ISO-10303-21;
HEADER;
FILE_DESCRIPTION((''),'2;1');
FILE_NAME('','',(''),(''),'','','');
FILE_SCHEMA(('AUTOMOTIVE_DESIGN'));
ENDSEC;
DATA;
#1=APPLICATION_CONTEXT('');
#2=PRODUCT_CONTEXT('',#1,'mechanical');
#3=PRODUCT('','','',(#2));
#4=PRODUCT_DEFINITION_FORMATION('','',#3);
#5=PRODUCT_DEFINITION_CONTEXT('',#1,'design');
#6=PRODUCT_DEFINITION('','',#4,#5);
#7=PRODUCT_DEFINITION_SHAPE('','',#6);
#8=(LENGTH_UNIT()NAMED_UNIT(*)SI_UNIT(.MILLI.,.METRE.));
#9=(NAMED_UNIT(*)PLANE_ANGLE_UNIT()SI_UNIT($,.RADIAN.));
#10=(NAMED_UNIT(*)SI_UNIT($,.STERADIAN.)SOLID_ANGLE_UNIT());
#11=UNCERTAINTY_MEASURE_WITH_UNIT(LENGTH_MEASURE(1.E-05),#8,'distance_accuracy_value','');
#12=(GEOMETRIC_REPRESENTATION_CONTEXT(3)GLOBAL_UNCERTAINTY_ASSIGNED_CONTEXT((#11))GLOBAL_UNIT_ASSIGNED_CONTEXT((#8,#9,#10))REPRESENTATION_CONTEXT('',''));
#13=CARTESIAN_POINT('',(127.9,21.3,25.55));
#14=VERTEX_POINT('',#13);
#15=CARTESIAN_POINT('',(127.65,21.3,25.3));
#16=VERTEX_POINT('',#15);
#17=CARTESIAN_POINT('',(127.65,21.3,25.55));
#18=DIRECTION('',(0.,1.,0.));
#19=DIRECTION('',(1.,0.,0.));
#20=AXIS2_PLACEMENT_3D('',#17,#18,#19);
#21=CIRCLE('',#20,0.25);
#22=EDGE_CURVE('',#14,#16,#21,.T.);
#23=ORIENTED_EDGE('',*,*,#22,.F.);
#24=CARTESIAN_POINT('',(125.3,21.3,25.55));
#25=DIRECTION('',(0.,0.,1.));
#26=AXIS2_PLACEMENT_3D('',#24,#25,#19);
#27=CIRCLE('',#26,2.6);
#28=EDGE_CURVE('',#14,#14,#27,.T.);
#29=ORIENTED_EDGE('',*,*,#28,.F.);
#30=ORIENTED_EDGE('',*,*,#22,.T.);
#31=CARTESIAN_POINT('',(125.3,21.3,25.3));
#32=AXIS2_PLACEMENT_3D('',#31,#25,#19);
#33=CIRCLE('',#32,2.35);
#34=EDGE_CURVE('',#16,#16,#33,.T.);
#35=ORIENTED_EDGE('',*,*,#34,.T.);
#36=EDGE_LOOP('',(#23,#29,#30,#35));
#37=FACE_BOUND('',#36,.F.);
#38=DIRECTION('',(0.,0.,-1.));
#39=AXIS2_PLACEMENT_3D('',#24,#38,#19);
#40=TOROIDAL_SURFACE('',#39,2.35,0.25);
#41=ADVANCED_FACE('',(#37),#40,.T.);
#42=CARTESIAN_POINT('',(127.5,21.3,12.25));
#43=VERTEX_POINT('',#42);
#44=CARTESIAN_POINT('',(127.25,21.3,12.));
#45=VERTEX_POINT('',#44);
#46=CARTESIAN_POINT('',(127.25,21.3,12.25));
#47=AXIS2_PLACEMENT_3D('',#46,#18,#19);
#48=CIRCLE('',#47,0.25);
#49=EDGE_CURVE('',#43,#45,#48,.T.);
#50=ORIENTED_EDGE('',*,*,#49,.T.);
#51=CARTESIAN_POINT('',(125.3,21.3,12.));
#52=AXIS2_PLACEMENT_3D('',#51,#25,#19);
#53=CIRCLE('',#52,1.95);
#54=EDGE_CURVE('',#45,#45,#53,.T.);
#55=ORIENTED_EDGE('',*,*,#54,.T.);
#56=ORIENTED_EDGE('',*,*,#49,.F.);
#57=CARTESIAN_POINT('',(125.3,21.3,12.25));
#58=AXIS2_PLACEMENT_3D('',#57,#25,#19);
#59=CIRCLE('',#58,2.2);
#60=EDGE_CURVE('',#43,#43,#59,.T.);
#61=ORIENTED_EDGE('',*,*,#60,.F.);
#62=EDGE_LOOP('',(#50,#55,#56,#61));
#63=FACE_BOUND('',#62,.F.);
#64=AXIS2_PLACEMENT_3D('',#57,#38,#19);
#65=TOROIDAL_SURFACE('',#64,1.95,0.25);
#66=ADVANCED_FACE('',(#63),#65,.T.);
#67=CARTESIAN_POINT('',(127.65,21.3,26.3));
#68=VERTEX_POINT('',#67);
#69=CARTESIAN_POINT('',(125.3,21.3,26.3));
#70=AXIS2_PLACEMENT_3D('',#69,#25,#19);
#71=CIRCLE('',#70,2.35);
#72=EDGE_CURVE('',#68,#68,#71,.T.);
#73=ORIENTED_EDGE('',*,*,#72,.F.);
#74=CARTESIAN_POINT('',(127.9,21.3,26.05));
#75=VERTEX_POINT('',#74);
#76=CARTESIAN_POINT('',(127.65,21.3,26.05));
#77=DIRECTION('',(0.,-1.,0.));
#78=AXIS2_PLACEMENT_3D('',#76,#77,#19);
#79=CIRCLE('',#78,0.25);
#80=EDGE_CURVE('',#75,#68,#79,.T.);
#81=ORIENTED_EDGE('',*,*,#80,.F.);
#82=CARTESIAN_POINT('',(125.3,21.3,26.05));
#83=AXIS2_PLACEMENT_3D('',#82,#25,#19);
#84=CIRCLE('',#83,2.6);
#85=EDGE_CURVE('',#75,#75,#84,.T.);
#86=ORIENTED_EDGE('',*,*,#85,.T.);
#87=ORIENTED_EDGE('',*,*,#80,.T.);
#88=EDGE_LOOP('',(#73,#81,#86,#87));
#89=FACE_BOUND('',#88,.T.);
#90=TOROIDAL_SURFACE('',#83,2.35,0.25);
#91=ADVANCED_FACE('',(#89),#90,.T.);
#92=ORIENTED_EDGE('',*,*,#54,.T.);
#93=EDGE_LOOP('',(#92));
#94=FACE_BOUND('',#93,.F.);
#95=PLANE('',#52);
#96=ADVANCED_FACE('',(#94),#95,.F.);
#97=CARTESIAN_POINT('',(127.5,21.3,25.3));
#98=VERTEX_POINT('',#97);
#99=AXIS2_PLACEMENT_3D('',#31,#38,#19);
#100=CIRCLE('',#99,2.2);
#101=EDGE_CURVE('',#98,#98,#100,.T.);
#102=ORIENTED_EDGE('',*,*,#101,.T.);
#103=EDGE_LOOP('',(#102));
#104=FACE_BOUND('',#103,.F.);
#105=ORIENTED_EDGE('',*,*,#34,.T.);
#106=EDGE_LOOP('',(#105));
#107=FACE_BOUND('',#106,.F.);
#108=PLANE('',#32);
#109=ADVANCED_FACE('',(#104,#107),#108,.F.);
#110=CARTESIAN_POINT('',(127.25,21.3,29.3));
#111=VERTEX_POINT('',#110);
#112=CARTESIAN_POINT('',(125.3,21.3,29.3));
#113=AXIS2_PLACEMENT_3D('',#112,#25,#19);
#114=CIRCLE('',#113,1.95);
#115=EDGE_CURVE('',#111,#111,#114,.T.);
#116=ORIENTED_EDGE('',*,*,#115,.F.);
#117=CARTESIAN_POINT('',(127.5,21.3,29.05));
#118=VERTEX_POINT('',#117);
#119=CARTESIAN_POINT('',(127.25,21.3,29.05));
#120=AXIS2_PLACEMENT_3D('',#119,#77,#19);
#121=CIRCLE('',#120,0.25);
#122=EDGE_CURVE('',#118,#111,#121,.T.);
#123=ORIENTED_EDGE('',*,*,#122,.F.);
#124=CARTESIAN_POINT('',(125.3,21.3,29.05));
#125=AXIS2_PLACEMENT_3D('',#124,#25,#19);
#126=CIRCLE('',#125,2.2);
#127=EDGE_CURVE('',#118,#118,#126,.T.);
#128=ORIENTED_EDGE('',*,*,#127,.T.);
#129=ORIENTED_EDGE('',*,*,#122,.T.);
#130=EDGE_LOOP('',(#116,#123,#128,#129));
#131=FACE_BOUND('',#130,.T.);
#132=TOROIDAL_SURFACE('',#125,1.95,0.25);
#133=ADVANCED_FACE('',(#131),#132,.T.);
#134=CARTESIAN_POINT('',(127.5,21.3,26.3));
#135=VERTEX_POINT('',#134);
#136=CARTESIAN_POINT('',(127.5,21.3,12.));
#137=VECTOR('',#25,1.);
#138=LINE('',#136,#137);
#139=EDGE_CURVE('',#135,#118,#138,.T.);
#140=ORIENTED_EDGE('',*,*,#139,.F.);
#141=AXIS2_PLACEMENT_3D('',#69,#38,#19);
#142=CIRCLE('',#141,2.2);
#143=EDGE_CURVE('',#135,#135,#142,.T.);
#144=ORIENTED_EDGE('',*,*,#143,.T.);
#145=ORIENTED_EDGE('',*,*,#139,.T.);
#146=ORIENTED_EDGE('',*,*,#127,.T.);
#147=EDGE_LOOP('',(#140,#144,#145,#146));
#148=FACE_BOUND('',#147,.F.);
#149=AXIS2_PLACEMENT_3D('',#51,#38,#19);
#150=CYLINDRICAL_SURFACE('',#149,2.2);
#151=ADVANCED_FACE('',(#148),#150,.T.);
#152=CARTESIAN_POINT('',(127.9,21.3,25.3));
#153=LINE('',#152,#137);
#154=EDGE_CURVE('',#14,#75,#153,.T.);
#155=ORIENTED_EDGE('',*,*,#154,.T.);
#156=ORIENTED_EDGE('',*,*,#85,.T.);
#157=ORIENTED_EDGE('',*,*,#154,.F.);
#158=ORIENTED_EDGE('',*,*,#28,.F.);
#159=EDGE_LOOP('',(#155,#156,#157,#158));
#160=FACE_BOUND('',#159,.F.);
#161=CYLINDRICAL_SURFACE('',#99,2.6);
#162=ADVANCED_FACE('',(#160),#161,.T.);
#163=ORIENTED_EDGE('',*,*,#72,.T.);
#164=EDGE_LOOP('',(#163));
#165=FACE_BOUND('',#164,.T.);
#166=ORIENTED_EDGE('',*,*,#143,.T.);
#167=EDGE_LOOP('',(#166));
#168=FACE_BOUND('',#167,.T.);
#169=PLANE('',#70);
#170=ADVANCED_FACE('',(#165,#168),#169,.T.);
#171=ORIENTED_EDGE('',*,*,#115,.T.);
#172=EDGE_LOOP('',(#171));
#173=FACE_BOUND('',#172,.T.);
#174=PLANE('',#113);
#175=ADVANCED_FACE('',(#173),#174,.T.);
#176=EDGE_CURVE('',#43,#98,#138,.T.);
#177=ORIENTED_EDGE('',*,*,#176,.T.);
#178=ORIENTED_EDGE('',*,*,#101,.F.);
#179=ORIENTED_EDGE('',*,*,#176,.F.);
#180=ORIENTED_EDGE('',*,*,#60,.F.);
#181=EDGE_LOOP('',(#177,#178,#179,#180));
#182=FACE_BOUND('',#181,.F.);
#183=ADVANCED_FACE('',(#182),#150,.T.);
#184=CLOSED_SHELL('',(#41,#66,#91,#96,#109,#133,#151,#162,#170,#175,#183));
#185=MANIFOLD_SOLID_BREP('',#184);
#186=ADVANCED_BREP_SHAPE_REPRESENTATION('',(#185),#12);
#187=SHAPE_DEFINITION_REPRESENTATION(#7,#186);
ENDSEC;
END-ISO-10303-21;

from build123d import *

# Parameters (mm, degrees)
SKETCH040_R       = 2.2
PAD032_DEPTH      = 17.3
CYLINDER002_R     = 2.6
CYLINDER002_DEPTH = 1
FILLET005_R       = 0.25


with BuildPart() as part:
    # Sketch040 → Pad032 (new body)
    with BuildSketch(Plane.XY):
        with Locations((125.3, 21.3)):
            Circle(SKETCH040_R)
    extrude(amount=PAD032_DEPTH)

    # Cylinder002 → Cylinder002 (join)
    with BuildSketch(Plane(origin=(125.3, 21.3, 13.3), x_dir=(1, 0, 0), z_dir=(0, 0, 1))):
        Circle(CYLINDER002_R)
    extrude(amount=CYLINDER002_DEPTH)

    # Fillet005
    fillet005_edges = [part.edges().sort_by_distance(p)[0] for p in [
        (122.7, 21.3, 14.3),
        (122.7, 21.3, 13.3),
        (123.1, 21.3, 17.3),
        (123.1, 21.3, 0),
    ]]
    fillet(fillet005_edges, radius=FILLET005_R)


with BuildPart() as part_1:
    # Body034 placement: moved
    add(part.part.moved(Location((0, 0, 12))))


solid = part_1.part
